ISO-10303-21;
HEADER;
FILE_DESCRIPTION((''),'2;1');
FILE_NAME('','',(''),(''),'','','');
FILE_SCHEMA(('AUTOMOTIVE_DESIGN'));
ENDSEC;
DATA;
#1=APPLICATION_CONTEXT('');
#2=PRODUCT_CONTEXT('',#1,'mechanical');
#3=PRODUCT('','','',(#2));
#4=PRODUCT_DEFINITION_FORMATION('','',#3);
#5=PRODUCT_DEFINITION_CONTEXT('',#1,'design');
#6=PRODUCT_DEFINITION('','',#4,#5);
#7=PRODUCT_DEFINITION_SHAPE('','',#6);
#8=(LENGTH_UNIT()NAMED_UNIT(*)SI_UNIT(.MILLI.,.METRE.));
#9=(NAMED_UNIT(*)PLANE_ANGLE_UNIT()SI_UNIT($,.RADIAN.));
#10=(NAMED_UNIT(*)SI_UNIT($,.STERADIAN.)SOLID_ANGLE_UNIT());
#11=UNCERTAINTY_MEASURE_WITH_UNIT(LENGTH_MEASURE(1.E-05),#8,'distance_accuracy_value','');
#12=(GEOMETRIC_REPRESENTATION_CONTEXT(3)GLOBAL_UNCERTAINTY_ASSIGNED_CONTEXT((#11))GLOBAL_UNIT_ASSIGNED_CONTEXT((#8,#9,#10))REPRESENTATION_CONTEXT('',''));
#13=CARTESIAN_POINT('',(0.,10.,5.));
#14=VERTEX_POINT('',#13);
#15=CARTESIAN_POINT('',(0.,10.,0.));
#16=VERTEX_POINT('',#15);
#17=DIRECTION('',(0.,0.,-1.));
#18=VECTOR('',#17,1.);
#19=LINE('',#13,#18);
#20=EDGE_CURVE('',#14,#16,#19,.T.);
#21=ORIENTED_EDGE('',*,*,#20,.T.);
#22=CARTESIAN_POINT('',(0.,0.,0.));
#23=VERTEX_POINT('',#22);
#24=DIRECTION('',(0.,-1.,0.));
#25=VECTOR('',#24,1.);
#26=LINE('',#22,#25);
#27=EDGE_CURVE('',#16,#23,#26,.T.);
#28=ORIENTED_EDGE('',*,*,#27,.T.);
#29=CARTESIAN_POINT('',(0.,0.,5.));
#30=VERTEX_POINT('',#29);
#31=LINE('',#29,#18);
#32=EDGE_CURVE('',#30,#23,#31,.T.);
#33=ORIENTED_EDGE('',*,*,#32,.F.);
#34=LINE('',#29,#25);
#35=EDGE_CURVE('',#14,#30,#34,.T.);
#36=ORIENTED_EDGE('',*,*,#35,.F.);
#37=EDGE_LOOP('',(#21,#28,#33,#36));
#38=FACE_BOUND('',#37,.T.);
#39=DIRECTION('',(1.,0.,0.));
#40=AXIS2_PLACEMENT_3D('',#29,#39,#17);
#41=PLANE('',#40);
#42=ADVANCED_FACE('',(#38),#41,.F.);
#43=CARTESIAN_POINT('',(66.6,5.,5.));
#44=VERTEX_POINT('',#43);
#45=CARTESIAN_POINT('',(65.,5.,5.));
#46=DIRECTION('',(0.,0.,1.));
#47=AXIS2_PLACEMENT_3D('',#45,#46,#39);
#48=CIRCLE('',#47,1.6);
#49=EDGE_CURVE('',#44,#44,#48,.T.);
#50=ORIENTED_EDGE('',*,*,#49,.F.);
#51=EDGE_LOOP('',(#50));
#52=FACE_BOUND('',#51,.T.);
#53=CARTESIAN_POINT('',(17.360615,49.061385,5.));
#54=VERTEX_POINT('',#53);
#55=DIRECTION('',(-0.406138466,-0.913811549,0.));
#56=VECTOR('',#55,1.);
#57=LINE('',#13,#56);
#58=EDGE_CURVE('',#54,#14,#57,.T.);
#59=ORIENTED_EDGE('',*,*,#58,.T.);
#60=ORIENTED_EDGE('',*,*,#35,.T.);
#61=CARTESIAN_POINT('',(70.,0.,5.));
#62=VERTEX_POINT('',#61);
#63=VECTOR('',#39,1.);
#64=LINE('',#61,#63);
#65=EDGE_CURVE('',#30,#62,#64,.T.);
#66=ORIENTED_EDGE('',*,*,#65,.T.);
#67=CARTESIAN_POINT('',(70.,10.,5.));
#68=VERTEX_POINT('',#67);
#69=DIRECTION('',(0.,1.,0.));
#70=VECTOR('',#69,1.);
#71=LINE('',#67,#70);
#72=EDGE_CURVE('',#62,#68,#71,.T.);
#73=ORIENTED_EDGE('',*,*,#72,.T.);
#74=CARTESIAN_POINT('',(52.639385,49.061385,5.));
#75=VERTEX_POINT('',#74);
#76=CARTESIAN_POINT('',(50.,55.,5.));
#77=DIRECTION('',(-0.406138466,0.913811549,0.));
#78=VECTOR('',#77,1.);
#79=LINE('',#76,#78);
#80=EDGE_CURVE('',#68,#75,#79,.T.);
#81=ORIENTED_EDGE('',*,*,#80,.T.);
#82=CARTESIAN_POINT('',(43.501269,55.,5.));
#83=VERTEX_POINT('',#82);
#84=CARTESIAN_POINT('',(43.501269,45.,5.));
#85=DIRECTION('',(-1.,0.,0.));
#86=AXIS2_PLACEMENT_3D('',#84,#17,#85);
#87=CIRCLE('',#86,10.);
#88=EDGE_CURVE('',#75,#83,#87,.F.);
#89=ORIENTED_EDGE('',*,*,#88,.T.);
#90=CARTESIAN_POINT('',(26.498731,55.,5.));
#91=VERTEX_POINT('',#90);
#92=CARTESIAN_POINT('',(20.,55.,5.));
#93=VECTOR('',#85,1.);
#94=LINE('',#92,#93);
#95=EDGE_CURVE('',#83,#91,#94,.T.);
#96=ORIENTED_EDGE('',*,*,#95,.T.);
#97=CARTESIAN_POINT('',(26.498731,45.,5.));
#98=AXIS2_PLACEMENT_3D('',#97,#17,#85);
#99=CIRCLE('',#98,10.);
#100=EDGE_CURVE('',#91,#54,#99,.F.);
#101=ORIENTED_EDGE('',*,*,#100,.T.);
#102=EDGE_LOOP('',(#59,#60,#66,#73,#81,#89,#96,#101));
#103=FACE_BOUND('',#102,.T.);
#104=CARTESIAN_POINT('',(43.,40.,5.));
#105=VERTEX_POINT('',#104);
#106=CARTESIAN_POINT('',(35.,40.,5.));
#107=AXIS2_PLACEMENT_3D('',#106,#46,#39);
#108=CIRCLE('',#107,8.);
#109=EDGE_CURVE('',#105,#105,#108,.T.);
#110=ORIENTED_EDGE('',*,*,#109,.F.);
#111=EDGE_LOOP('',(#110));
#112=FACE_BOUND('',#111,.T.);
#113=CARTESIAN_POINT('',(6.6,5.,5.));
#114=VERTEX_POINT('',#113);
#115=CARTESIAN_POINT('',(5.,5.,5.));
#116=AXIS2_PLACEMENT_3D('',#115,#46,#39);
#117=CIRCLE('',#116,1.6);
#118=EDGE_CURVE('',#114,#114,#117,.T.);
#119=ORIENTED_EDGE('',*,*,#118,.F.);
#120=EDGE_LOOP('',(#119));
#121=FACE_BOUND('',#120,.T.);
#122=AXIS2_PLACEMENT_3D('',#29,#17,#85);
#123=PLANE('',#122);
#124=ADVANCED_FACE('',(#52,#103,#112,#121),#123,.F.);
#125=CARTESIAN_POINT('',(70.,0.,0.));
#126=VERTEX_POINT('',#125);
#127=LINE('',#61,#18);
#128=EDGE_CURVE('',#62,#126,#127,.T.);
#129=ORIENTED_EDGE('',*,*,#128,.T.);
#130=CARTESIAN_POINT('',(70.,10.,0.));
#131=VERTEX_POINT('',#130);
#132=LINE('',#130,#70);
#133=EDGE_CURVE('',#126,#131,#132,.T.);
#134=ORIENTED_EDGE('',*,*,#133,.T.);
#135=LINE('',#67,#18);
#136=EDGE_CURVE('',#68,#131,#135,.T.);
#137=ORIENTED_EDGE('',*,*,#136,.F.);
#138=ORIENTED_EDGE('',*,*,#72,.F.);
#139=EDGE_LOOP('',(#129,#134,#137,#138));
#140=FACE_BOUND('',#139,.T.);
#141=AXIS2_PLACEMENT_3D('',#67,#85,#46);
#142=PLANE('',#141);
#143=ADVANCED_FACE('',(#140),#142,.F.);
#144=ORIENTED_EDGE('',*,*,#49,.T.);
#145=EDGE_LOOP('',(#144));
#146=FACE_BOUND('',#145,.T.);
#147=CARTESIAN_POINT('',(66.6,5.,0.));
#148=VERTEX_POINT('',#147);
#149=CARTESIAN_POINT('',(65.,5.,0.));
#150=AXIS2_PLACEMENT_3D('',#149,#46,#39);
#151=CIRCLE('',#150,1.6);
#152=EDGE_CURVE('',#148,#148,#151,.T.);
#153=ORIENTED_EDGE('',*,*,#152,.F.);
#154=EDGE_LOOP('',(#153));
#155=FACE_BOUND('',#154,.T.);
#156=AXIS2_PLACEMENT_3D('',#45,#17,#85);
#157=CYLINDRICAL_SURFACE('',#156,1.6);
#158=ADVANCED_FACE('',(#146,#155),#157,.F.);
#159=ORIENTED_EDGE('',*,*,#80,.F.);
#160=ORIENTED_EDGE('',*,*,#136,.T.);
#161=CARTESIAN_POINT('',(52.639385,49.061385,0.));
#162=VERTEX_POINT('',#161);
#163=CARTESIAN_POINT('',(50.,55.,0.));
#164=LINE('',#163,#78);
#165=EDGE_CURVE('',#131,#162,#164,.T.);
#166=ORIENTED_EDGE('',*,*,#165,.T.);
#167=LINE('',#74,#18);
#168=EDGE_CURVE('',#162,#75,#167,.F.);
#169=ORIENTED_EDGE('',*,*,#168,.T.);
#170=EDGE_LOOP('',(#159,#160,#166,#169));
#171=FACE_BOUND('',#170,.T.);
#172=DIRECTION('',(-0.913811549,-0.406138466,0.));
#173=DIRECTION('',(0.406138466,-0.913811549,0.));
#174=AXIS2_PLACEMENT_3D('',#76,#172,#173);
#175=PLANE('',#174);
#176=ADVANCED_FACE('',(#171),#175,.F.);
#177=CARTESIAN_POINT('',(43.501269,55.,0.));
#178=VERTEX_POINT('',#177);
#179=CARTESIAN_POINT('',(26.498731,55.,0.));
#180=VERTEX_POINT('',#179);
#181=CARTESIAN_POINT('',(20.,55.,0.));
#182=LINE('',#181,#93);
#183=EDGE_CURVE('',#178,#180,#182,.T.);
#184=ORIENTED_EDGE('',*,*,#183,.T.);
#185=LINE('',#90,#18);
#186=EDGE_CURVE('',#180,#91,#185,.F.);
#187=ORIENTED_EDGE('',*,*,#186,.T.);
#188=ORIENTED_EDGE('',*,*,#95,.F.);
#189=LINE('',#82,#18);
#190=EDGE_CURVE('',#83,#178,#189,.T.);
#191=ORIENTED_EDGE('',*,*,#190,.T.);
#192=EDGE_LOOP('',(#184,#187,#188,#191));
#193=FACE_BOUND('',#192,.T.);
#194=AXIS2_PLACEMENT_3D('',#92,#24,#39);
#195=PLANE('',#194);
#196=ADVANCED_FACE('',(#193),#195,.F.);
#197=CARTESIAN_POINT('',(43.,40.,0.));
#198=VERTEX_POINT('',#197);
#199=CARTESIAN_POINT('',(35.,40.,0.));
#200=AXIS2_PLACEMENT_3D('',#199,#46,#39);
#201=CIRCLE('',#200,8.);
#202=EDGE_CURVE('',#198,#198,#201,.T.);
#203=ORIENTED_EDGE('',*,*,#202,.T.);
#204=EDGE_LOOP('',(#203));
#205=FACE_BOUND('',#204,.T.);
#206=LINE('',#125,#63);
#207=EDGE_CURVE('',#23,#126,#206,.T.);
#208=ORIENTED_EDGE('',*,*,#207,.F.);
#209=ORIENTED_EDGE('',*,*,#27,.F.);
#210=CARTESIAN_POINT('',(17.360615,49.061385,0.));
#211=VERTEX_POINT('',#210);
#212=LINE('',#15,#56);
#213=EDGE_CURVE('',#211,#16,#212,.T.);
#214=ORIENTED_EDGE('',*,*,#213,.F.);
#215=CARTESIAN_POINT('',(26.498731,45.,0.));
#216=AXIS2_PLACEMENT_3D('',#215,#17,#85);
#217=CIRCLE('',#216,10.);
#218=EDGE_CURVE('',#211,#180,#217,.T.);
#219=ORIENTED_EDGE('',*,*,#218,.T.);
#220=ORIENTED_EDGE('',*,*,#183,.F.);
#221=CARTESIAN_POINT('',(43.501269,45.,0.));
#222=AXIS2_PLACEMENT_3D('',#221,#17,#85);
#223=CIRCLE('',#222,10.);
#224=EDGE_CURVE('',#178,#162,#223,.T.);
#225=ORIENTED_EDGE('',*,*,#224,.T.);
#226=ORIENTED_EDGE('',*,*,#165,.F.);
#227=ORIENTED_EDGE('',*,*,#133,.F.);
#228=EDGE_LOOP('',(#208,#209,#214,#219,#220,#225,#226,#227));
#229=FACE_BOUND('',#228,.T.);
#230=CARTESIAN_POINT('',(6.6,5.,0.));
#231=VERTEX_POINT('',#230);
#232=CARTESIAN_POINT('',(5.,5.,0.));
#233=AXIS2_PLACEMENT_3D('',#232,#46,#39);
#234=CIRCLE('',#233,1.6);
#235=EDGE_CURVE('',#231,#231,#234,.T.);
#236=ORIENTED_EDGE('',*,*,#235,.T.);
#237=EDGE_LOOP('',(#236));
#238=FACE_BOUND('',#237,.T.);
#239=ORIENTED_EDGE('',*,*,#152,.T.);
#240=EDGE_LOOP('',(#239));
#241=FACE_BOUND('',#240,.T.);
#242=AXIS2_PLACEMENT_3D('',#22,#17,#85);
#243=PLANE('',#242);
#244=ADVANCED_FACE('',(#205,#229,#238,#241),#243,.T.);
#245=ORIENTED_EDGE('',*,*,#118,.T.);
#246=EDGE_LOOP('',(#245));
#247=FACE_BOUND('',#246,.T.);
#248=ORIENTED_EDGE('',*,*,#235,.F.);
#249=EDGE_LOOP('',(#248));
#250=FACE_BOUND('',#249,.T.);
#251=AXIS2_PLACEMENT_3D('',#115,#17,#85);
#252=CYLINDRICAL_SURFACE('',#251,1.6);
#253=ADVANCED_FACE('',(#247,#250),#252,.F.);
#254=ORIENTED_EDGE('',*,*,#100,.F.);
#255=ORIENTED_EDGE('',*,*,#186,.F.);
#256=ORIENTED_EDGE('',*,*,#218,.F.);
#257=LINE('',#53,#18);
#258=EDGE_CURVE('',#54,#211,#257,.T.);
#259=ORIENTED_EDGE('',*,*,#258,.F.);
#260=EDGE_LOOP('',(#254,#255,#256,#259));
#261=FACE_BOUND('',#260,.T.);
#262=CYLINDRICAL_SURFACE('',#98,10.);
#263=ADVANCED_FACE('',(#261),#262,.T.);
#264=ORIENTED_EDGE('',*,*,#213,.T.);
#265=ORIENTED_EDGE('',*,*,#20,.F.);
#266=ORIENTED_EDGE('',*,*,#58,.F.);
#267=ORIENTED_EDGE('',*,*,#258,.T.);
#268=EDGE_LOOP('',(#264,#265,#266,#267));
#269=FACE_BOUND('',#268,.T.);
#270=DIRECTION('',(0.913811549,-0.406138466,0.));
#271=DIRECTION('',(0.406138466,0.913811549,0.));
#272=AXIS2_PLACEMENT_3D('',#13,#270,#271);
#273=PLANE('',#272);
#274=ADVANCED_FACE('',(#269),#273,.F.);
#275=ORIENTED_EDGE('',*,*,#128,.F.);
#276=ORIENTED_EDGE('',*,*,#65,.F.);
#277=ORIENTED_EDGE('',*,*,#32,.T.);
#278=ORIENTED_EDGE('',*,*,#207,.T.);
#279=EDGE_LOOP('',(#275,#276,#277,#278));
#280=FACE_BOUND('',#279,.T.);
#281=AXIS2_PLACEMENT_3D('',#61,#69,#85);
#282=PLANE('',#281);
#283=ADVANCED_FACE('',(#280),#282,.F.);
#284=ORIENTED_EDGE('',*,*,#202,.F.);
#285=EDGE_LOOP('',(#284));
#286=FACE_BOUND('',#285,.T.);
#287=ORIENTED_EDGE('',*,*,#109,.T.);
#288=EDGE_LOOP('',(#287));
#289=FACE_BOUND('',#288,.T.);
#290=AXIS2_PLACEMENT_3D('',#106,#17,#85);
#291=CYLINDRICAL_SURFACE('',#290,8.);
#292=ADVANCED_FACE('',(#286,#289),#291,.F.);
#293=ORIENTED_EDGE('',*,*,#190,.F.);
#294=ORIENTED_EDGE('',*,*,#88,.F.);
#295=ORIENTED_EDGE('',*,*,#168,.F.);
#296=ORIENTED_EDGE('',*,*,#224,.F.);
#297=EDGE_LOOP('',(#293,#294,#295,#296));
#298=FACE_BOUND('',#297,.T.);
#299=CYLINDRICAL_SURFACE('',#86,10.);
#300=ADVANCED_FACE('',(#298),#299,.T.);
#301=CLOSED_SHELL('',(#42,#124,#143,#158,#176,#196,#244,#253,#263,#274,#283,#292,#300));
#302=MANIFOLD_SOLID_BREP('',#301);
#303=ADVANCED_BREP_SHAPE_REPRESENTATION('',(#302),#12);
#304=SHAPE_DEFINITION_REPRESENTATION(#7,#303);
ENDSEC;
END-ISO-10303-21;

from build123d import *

# Parameters (mm, degrees)
SKETCH_1_R      = 8
SKETCH_1_R_2    = 1.6
EXTRUDE_1_DEPTH = 5
FILLET_1_R      = 10


with BuildPart() as part:
    # ｽｹｯﾁ1 → ﾎﾞｽ - 押し出し1 (new body)
    with BuildSketch(Plane.XY):
        Polygon((0, 0), (0, 10), (20, 55), (50, 55), (70, 10), (70, 0), align=None)
        with Locations((35, 40)):
            Circle(SKETCH_1_R, mode=Mode.SUBTRACT)
        with Locations((5, 5)):
            Circle(SKETCH_1_R_2, mode=Mode.SUBTRACT)
        with Locations((65, 5)):
            Circle(SKETCH_1_R_2, mode=Mode.SUBTRACT)
    extrude(amount=EXTRUDE_1_DEPTH)

    # ﾌｨﾚｯﾄ1
    fillet_1_edges = [part.edges().sort_by_distance(p)[0] for p in [
        (20, 55, 2.5),
        (50, 55, 2.5),
    ]]
    fillet(fillet_1_edges, radius=FILLET_1_R)


solid = part.part
